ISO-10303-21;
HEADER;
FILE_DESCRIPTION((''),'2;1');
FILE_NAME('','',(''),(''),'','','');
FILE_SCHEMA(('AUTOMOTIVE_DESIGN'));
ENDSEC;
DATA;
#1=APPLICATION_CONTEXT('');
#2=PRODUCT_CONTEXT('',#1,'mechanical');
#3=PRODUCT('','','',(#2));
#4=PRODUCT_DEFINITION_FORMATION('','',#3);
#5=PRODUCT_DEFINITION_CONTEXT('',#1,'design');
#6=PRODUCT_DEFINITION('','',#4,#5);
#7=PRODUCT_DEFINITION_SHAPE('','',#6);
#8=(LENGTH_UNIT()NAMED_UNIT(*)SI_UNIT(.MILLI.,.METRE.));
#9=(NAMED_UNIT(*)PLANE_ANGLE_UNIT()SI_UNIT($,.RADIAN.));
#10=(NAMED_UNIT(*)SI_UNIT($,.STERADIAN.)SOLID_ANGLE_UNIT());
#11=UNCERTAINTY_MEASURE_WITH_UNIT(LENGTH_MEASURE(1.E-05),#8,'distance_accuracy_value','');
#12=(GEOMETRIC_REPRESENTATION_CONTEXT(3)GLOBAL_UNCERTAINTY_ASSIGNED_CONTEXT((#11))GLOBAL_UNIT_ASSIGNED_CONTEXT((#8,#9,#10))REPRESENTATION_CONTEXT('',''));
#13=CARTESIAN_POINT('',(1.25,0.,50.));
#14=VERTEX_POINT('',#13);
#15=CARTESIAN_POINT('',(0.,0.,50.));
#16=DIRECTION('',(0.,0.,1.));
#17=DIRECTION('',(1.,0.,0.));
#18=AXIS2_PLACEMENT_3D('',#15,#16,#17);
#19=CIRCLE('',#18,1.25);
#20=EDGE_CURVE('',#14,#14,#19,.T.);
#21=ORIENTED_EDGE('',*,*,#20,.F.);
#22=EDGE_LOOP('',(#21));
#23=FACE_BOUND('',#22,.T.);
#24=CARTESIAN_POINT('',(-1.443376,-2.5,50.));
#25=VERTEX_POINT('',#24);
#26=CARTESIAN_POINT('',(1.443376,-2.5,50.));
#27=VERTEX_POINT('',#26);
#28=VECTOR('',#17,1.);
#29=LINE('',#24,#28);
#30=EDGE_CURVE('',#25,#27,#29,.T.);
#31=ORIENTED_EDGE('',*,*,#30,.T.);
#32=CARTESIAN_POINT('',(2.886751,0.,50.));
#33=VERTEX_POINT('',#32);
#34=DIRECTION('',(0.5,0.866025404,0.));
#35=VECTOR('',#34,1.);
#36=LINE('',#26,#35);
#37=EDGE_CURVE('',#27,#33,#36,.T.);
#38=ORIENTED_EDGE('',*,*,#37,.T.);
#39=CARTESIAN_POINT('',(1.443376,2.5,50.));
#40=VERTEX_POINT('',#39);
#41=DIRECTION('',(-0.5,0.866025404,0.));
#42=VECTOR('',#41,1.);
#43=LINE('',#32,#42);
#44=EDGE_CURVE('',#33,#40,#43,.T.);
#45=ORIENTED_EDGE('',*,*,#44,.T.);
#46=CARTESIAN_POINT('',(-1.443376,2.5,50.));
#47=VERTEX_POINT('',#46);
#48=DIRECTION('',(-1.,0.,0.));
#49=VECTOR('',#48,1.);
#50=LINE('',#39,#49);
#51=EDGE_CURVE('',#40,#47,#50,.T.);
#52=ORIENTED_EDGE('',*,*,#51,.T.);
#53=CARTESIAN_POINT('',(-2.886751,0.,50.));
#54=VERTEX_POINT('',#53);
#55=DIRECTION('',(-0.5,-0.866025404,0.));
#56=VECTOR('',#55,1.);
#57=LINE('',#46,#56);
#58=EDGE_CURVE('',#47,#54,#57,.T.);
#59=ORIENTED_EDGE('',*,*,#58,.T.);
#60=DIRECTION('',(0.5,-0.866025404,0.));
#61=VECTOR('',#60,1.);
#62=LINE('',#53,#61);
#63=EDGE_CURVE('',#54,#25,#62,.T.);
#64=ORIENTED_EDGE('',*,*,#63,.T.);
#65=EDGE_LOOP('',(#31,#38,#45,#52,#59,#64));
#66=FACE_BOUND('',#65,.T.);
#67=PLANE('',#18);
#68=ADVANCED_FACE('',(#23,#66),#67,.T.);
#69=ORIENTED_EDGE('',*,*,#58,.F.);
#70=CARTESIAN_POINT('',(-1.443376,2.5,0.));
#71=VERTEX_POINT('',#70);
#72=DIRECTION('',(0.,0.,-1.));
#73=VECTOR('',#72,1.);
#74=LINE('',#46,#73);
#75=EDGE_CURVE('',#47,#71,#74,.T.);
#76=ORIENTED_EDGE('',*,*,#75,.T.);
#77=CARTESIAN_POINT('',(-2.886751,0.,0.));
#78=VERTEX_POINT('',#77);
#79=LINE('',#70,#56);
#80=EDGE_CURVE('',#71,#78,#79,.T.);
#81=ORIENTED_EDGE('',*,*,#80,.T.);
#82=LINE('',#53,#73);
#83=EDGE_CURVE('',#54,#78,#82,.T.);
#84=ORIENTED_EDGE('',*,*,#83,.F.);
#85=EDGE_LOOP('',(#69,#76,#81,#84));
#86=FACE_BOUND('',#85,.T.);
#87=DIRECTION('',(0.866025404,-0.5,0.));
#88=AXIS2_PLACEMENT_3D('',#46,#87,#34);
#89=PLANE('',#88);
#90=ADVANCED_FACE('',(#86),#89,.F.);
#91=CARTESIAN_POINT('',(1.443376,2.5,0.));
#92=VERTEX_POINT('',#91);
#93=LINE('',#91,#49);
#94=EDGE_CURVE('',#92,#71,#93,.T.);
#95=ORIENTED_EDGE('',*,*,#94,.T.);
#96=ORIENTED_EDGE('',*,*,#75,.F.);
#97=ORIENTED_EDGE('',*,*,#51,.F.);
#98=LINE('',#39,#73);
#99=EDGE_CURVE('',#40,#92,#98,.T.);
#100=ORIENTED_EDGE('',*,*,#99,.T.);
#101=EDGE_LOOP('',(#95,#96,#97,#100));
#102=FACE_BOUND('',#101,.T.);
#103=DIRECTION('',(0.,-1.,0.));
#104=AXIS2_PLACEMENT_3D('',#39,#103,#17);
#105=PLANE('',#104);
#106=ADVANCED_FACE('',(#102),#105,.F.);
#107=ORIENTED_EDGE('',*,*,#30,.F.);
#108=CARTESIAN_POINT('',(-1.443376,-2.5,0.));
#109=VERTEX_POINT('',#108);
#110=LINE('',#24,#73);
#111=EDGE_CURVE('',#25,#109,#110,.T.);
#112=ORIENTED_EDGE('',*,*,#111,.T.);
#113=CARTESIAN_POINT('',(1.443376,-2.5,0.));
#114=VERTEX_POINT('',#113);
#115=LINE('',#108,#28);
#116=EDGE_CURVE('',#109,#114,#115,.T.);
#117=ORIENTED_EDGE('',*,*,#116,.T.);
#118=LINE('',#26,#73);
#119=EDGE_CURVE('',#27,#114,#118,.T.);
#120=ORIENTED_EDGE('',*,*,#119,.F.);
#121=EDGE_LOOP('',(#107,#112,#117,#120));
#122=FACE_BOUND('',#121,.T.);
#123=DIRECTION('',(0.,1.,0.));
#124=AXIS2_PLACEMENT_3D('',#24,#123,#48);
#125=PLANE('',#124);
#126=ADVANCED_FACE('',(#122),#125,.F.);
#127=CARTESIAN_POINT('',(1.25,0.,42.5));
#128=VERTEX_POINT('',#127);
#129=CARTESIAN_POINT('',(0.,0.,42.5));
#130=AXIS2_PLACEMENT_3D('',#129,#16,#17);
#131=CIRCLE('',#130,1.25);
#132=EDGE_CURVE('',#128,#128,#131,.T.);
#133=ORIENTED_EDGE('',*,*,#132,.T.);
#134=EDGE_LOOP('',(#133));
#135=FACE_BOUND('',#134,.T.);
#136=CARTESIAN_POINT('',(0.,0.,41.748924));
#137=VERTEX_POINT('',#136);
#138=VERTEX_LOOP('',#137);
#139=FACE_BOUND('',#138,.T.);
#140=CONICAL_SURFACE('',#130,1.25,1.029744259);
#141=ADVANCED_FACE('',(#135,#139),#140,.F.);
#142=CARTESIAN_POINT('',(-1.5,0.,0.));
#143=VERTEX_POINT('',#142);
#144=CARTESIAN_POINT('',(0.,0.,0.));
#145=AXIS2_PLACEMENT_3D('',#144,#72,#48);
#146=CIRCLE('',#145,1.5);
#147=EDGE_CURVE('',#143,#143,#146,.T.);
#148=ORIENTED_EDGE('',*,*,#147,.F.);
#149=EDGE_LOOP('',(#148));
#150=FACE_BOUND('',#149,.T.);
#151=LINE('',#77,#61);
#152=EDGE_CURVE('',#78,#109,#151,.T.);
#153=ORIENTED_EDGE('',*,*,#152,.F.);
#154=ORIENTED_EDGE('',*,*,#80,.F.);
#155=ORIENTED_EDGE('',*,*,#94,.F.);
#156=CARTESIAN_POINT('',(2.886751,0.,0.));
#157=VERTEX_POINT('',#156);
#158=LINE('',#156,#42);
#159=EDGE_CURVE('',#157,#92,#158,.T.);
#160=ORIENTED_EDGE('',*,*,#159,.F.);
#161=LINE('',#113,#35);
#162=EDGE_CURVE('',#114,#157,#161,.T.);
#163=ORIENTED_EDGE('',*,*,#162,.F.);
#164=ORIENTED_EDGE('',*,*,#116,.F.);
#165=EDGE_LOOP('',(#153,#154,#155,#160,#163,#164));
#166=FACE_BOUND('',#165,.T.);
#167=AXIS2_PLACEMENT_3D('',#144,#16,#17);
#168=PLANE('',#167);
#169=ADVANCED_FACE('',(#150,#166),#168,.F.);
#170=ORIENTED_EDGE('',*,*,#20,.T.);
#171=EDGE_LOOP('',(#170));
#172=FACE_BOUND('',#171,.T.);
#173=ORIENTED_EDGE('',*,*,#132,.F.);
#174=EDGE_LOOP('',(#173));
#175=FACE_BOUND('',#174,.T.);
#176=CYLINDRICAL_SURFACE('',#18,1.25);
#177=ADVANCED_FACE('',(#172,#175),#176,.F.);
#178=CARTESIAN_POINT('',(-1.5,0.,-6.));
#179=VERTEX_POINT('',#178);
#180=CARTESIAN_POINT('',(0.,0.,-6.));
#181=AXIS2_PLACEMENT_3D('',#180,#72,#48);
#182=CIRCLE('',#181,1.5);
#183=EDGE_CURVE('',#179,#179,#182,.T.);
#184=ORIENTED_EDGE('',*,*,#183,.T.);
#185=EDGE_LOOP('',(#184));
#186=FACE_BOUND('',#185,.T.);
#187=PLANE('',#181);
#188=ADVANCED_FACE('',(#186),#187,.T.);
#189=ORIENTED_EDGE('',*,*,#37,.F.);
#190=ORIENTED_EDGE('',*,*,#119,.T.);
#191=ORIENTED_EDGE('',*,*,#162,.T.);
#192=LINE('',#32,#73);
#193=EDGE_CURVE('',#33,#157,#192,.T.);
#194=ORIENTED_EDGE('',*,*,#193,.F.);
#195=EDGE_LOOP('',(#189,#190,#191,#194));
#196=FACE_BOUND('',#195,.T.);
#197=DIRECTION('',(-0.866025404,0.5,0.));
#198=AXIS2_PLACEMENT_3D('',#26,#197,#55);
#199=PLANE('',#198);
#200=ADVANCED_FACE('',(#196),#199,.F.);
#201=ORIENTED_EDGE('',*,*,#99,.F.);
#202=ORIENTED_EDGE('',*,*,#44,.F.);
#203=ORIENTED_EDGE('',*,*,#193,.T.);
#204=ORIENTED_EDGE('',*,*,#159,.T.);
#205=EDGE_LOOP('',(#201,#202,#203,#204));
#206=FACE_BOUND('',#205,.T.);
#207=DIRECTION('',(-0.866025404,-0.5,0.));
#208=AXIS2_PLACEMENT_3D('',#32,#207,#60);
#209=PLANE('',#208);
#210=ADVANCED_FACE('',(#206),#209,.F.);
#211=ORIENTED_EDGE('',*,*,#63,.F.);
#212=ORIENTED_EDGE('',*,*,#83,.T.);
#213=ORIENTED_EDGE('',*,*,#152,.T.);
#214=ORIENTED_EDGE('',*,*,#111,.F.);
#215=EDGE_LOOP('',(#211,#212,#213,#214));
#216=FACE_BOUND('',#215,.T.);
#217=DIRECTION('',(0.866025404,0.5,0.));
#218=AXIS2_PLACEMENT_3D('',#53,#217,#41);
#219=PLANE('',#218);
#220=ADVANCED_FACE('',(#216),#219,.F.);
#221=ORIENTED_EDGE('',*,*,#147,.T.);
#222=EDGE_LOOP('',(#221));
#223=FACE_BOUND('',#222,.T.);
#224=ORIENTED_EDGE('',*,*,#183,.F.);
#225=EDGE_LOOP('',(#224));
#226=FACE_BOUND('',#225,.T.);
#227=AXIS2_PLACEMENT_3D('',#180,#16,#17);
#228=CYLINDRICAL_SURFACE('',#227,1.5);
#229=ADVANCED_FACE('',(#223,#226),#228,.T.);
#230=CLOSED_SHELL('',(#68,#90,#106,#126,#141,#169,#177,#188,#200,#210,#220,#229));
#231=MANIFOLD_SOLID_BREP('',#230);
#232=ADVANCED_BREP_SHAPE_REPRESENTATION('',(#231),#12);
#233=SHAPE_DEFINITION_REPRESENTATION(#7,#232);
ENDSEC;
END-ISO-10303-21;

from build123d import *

# Parameters (mm, degrees)
EXTRUDE_1_DEPTH = 50
SKETCH_4_R      = 1.5
EXTRUDE_2_DEPTH = 6
M3X0_5_1_D      = 2.5
M3X0_5_1_DEPTH  = 7.5
M3X0_5_1_TIP    = 0.751075774


with BuildPart() as part:
    # 草圖1 → 填料-伸長1 (new body)
    with BuildSketch(Plane.XY):
        Polygon((-1.443375673, 2.5), (-2.886751346, 0), (-1.443375673, -2.5), (1.443375673, -2.5), (2.886751346, 0), (1.443375673, 2.5), align=None)
    extrude(amount=EXTRUDE_1_DEPTH)

    # 草圖4 → 填料-伸長2 (add)
    with BuildSketch(Plane(origin=(0, 0, 0), x_dir=(-1, 0, 0), z_dir=(0, 0, -1))):
        Circle(SKETCH_4_R)
    extrude(amount=EXTRUDE_2_DEPTH)

    # M3x0.5 螺紋孔1
    with Locations(Plane.XY.offset(50)):
        with Locations((0, 0)):
            Hole(M3X0_5_1_D / 2, depth=M3X0_5_1_DEPTH)
            with Locations((0, 0, -(M3X0_5_1_DEPTH + M3X0_5_1_TIP / 2))):  # 118° drill point
                Cone(0, M3X0_5_1_D / 2, M3X0_5_1_TIP, mode=Mode.SUBTRACT)


solid = part.part
